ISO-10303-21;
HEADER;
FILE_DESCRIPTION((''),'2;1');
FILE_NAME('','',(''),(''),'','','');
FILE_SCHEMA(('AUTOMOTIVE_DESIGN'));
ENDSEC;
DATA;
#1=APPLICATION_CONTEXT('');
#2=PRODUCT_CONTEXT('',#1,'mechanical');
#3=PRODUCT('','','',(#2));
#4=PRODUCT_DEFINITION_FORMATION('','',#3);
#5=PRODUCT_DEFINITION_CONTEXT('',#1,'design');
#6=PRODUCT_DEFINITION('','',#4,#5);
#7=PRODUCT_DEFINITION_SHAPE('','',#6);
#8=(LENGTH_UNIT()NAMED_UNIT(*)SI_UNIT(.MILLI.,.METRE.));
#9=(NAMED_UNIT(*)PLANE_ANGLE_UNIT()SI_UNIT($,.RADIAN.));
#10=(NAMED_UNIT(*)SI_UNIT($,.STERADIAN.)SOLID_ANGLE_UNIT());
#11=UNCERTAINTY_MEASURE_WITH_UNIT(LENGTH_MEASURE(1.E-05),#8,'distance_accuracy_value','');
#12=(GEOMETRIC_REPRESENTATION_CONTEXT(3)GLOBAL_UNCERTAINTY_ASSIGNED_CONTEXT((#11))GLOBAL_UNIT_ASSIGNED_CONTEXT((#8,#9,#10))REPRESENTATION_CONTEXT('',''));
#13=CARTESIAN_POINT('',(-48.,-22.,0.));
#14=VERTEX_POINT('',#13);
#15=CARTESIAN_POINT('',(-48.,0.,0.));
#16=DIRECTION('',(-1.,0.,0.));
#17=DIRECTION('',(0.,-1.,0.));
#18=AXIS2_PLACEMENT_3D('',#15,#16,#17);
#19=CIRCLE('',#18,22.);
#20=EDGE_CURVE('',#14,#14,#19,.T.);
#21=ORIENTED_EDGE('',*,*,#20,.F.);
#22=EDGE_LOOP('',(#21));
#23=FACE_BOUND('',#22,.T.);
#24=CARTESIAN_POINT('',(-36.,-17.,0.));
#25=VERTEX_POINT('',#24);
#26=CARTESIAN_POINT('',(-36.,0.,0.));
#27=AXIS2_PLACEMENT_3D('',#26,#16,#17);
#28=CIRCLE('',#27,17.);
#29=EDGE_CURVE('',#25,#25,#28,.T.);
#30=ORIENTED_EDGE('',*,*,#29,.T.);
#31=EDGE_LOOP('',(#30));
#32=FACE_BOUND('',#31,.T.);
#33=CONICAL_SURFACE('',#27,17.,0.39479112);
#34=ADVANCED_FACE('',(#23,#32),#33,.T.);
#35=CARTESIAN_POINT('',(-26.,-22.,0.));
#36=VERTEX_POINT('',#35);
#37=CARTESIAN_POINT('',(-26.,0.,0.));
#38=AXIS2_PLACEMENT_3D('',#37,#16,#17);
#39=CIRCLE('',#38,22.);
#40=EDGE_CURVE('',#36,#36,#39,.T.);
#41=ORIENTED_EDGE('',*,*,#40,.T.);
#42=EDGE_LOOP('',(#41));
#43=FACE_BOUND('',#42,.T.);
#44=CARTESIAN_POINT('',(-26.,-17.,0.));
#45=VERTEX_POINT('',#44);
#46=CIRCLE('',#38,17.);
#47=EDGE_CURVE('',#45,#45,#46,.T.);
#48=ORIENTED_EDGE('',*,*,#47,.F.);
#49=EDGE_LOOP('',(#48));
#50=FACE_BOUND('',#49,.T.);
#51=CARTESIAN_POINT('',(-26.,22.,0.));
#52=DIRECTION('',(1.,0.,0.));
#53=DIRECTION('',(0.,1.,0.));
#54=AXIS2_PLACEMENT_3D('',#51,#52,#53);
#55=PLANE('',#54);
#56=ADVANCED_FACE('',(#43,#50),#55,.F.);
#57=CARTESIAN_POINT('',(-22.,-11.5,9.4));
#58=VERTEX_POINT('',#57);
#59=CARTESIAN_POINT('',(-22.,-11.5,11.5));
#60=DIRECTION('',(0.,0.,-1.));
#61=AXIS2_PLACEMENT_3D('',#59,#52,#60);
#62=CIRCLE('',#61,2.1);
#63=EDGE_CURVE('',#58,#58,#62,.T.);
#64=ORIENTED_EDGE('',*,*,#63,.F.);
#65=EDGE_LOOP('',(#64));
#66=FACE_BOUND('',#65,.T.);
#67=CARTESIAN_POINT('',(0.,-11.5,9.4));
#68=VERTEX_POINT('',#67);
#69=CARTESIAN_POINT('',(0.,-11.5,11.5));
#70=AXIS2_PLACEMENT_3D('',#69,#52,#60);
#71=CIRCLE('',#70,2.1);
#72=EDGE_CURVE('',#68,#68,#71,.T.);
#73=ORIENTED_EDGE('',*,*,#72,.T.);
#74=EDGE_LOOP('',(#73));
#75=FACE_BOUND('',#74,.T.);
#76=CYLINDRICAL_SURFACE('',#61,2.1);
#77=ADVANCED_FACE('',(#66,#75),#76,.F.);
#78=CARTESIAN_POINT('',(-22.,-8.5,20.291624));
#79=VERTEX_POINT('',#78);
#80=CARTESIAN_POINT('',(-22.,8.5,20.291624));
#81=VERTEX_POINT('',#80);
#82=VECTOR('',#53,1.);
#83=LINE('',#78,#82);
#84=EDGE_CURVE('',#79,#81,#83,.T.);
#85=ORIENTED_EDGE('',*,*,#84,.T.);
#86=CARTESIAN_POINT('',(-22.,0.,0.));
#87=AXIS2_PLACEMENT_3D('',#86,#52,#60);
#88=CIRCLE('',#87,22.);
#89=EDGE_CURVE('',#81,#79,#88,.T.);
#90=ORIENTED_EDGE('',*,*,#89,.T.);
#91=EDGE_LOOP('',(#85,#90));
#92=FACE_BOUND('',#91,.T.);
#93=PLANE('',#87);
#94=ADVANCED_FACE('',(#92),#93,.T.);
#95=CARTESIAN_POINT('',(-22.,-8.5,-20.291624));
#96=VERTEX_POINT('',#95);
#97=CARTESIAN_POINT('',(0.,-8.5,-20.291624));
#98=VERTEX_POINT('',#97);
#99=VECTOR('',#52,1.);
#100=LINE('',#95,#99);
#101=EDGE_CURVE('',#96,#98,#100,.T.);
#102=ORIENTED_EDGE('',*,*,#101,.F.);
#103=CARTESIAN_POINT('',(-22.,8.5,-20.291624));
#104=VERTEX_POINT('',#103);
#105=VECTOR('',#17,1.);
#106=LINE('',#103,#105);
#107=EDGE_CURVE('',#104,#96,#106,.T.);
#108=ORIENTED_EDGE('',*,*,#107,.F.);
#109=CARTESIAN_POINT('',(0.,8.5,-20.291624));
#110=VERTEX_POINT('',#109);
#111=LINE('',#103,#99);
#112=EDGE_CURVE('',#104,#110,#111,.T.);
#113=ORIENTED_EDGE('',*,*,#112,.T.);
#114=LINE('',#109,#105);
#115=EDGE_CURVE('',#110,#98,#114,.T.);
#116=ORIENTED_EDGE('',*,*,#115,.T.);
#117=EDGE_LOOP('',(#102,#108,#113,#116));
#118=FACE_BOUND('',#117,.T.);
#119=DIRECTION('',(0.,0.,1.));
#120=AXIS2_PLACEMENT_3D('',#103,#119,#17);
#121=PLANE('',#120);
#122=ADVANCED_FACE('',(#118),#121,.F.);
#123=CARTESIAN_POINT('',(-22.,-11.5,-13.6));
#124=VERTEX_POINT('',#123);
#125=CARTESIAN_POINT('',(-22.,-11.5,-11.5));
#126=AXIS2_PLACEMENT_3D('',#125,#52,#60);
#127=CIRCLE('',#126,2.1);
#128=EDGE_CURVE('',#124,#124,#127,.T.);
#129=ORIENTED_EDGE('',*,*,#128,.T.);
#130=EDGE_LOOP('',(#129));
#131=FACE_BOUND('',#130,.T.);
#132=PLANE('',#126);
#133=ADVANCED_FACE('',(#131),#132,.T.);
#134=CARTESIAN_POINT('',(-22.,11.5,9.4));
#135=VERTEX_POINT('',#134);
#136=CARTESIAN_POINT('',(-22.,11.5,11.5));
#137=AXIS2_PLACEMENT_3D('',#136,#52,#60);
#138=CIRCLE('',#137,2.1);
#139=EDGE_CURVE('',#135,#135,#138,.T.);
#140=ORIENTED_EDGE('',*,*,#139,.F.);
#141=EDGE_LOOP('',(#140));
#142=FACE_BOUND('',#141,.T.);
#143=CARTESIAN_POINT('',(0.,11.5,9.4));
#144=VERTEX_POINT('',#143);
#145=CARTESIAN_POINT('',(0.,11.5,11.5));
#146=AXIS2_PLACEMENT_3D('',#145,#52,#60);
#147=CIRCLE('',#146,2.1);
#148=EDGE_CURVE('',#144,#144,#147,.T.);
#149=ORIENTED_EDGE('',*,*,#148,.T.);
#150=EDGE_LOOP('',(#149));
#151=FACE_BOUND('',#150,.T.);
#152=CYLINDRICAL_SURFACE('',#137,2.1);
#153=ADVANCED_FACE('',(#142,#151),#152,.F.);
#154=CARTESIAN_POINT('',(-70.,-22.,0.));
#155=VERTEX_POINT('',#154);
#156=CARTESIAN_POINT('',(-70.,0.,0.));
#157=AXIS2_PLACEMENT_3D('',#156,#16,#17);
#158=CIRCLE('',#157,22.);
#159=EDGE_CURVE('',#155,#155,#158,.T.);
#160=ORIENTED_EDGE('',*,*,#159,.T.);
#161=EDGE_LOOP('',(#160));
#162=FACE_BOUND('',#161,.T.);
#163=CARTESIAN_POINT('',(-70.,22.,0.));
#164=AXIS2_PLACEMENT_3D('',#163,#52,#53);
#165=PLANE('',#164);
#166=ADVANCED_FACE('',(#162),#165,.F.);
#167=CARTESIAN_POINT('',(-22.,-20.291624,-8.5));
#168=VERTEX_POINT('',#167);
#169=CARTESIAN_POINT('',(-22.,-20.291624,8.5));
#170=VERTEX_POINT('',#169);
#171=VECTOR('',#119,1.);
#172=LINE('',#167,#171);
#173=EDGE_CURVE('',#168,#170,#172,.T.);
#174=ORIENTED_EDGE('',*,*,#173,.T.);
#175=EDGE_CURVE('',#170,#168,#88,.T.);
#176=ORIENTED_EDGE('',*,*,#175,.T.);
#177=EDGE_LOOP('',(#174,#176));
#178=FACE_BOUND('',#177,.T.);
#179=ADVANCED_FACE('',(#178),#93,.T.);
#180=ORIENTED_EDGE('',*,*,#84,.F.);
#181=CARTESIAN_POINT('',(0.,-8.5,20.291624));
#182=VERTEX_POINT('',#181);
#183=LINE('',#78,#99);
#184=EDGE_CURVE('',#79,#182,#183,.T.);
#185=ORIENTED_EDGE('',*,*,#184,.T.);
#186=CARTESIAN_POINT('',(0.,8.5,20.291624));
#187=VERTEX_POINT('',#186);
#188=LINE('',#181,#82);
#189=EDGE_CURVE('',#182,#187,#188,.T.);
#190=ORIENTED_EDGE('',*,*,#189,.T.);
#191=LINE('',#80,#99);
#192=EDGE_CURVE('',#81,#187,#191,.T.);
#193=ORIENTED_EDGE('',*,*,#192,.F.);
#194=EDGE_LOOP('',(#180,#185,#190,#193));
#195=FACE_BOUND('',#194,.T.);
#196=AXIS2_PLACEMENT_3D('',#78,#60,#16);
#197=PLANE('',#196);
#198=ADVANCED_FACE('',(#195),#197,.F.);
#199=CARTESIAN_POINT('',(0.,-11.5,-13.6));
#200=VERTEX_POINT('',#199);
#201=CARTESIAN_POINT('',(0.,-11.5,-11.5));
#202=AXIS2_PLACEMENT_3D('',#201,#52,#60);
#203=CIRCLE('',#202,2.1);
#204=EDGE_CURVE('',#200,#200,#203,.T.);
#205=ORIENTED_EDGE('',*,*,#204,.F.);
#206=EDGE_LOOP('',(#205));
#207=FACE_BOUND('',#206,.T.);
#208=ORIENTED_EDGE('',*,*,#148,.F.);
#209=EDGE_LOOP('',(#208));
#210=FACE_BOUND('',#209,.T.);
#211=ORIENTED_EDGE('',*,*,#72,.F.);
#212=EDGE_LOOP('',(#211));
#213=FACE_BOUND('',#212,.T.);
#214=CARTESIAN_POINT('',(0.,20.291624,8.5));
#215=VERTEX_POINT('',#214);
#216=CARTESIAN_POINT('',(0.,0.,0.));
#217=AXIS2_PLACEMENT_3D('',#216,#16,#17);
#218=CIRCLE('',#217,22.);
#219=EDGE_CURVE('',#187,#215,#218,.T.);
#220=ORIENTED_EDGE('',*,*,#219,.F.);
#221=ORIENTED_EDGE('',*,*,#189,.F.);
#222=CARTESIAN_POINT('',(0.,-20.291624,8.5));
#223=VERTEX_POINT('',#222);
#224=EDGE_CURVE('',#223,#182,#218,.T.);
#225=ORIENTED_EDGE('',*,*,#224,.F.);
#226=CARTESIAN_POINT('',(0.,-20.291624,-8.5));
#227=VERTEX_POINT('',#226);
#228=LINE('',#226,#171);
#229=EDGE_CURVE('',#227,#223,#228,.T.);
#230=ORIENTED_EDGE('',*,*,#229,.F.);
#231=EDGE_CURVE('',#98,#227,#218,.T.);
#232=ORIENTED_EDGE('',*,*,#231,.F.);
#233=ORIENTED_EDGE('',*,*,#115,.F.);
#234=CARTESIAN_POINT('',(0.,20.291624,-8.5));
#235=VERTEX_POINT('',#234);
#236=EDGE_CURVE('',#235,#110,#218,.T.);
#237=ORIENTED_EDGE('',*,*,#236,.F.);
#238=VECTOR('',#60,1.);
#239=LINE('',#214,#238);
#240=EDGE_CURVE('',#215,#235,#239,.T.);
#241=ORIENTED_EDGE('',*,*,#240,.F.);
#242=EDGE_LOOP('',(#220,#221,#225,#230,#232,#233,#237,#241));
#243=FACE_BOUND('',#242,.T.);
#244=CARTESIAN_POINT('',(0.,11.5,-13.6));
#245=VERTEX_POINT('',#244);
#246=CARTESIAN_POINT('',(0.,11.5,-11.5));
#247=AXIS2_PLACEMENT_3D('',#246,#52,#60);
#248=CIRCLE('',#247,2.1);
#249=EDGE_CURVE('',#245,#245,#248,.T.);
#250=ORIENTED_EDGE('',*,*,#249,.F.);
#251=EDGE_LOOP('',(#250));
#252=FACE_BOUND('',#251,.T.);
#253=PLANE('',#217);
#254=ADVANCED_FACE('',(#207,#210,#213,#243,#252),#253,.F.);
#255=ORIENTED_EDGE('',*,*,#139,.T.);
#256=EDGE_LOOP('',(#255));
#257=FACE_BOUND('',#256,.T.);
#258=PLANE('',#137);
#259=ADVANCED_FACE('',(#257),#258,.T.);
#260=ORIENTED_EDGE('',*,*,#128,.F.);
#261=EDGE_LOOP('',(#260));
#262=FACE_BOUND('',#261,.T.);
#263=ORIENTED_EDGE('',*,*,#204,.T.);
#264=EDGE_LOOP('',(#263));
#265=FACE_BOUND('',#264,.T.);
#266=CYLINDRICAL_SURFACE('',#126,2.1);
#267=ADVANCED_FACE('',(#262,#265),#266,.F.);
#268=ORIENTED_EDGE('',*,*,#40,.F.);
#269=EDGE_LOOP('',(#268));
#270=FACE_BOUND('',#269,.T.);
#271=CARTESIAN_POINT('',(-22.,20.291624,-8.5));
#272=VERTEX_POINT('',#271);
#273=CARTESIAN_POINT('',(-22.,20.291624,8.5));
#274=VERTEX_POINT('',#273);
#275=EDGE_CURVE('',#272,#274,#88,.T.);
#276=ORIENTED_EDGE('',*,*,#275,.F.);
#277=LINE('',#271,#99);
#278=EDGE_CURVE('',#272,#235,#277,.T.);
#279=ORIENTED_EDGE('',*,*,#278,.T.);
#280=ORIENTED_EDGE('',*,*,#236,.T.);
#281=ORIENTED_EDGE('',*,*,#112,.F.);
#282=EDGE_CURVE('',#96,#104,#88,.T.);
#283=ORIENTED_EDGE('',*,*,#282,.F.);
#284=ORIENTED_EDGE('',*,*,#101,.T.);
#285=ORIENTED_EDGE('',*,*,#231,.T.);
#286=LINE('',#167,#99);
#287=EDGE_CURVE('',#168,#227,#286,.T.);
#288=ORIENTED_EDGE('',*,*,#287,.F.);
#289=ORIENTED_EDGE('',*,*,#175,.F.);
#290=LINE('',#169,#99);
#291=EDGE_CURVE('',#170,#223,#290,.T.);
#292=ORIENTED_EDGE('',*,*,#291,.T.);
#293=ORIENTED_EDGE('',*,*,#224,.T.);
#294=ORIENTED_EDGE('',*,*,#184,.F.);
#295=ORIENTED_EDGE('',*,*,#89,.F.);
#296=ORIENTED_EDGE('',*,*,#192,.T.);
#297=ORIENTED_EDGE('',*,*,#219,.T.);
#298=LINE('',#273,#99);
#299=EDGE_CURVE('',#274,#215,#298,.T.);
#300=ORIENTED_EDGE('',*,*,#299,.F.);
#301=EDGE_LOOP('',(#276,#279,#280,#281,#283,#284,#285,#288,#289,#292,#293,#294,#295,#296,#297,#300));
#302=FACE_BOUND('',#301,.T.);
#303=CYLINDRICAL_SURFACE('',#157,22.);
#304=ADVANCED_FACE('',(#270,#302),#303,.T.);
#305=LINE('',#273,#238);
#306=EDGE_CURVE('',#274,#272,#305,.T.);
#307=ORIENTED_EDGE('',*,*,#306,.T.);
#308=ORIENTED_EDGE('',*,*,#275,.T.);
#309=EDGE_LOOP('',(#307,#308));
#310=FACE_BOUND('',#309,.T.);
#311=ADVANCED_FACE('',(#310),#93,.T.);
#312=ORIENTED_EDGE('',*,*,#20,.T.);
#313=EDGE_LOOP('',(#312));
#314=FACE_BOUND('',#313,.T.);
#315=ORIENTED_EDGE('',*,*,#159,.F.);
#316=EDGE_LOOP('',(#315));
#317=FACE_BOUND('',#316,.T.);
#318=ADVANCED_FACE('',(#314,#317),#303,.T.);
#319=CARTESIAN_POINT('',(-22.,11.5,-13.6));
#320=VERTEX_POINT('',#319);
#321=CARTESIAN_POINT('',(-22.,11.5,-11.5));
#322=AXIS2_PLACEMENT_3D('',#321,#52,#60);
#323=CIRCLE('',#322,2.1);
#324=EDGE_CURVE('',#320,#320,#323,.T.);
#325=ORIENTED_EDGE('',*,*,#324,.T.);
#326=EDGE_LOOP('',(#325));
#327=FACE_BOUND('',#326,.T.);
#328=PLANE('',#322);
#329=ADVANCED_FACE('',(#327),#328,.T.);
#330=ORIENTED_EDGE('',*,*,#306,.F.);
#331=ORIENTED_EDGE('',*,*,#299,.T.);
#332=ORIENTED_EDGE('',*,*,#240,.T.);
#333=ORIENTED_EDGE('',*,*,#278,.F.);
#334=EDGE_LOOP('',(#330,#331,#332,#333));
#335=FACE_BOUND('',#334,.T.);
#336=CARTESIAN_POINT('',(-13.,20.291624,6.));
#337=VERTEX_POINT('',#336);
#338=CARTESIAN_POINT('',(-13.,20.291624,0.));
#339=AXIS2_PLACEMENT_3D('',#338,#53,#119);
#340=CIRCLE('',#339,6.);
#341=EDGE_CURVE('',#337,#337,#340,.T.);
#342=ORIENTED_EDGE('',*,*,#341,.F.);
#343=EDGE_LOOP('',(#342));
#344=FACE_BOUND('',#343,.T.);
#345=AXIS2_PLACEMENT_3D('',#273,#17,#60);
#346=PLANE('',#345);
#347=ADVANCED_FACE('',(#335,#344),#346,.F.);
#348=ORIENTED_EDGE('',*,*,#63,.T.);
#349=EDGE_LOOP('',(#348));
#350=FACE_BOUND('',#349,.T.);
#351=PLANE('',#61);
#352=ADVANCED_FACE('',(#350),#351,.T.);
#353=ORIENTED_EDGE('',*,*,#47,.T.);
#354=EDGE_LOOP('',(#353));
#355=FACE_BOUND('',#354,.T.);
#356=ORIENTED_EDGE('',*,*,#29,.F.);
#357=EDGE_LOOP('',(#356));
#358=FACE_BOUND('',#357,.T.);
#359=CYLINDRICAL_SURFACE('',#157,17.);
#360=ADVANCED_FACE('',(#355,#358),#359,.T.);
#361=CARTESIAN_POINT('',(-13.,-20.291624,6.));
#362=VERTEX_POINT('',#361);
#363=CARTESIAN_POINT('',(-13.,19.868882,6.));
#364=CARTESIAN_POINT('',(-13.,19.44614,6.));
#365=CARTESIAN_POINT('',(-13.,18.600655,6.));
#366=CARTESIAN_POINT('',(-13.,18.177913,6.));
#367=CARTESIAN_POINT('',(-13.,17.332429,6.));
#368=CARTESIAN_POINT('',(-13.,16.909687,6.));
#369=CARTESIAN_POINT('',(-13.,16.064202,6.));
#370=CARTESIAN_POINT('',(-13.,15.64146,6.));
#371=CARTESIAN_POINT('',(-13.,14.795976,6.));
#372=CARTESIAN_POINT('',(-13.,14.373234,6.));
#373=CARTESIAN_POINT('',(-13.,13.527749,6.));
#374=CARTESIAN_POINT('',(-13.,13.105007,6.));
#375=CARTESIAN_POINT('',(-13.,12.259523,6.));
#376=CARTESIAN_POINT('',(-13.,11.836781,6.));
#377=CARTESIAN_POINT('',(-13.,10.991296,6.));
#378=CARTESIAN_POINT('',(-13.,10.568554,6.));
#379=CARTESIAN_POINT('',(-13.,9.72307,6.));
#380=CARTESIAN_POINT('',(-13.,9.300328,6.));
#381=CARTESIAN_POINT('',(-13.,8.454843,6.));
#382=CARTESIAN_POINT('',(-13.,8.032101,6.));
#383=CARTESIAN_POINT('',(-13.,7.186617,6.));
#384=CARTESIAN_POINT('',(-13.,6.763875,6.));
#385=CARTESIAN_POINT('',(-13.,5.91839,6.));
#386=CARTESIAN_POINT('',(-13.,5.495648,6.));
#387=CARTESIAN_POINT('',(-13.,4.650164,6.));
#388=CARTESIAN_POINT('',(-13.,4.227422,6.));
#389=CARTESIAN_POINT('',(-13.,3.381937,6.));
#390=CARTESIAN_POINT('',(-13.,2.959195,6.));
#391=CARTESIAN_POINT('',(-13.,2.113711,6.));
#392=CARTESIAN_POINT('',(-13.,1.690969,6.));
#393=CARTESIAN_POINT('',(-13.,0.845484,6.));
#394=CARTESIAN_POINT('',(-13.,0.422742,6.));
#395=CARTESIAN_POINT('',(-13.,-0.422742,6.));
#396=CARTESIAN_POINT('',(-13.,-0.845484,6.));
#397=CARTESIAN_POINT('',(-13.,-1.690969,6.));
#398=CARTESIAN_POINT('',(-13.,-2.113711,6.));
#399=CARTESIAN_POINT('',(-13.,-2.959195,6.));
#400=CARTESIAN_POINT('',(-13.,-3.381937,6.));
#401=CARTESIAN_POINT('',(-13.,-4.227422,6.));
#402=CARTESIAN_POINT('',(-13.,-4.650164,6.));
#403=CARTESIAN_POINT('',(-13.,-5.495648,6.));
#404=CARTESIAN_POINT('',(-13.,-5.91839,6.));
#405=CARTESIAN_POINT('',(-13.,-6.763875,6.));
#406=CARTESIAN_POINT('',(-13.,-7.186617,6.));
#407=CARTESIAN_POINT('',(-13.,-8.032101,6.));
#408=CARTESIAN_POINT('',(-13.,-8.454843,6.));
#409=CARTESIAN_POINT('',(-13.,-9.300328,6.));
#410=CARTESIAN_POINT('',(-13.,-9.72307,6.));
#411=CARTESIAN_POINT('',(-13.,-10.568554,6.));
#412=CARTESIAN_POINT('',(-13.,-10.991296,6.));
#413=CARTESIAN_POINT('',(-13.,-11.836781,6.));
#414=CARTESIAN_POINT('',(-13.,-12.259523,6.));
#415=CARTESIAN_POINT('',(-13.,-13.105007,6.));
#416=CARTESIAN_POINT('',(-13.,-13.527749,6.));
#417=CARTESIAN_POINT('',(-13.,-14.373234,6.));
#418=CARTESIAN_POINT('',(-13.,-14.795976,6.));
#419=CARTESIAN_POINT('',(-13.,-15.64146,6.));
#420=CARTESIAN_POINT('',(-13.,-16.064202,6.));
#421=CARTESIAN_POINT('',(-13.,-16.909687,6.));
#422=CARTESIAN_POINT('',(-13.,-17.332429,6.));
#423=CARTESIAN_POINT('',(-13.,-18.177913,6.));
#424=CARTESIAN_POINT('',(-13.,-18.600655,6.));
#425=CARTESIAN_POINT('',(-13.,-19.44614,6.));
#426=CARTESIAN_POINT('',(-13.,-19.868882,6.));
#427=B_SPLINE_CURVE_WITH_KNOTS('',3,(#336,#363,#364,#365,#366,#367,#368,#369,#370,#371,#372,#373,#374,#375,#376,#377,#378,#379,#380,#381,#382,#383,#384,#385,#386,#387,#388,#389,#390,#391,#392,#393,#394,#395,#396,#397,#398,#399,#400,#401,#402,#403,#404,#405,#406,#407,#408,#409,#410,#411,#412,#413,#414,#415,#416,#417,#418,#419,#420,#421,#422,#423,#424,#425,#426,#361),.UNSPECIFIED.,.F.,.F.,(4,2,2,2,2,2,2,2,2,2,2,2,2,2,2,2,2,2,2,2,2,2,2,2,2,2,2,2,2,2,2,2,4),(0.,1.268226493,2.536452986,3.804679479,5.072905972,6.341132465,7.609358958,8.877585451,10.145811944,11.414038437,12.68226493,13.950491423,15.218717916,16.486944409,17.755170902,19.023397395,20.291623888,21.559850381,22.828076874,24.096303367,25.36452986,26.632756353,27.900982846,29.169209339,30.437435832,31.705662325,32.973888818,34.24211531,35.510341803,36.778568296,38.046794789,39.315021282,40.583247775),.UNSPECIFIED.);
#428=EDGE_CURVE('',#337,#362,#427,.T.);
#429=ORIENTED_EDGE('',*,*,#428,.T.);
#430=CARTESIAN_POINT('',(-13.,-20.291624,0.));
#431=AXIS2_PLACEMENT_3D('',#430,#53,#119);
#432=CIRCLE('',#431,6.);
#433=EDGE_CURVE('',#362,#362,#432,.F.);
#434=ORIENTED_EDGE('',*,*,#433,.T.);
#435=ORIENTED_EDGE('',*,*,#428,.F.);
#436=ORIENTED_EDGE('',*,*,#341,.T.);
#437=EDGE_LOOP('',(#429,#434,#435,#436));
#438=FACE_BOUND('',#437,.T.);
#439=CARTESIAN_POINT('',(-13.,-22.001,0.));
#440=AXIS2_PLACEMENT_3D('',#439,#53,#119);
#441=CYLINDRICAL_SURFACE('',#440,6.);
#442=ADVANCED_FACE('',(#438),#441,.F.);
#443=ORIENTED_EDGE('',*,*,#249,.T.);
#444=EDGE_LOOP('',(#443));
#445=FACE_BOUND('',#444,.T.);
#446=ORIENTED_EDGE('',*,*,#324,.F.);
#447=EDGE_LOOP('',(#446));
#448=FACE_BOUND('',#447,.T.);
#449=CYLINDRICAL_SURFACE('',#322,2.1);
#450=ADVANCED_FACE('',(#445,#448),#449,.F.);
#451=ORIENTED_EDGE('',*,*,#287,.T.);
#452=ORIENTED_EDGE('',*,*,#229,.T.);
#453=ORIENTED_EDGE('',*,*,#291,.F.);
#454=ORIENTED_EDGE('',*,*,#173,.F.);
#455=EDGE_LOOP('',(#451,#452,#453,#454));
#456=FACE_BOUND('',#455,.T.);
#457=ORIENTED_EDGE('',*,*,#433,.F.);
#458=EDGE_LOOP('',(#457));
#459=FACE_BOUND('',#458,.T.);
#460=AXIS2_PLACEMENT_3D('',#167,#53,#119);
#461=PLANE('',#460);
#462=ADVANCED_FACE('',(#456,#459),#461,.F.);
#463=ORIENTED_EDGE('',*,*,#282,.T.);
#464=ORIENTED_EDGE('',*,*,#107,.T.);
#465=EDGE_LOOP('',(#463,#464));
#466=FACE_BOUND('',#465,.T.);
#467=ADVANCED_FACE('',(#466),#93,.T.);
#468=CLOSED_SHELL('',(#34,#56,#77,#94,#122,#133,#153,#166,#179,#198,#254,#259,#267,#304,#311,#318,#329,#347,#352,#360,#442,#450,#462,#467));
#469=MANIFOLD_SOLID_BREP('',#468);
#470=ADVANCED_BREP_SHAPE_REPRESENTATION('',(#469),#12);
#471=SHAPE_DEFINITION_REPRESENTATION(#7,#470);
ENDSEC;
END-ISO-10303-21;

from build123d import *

# Parameters (mm, degrees)
CUT_EXTRUDE1_START = -22
SKETCH2_R          = 2.1
CUT_EXTRUDE1_DEPTH = 22
CUT_EXTRUDE2_REACH = 86.691
SKETCH3_R          = 6


with BuildPart() as part:
    # Sketch1 → Revolve1 (revolve)
    with BuildSketch(Plane(origin=(0, 0, 0), x_dir=(0, 1, 0), z_dir=(0, 0, 1)), mode=Mode.PRIVATE) as revolve1_sk:
        Polygon((0, 0), (22, 0), (22, 26), (17, 26), (17, 36), (22, 48), (22, 70), (0, 70), align=None)
    revolve(revolve1_sk.sketch.rotate(Axis((-70, 0, 0), (1, 0, 0)), 180), axis=Axis((-70, 0, 0), (1, 0, 0)))

    # Sketch2 → Cut-Extrude1 (cut)
    with BuildSketch(Plane.YZ.offset(CUT_EXTRUDE1_START)):
        with Locations(Location((-11.5, 11.5, 0), (0, 0, 270))):
            Circle(SKETCH2_R)
        with Locations(Location((11.5, 11.5, 0), (0, 0, 270))):
            Circle(SKETCH2_R)
        with Locations(Location((11.5, -11.5, 0), (0, 0, 270))):
            Circle(SKETCH2_R)
        with Locations(Location((-11.5, -11.5, 0), (0, 0, 270))):
            Circle(SKETCH2_R)
        with BuildLine():
            Line((-8.5, 20.291623888), (8.5, 20.291623888))
            ThreePointArc((8.5, 20.291623888), (0, 22), (-8.5, 20.291623888))
        make_face()
        with BuildLine():
            Line((20.291623888, 8.5), (20.291623888, -8.5))
            ThreePointArc((20.291623888, -8.5), (22, 0), (20.291623888, 8.5))
        make_face()
        with BuildLine():
            Line((8.5, -20.291623888), (-8.5, -20.291623888))
            ThreePointArc((-8.5, -20.291623888), (0, -22), (8.5, -20.291623888))
        make_face()
        with BuildLine():
            Line((-20.291623888, -8.5), (-20.291623888, 8.5))
            ThreePointArc((-20.291623888, 8.5), (-22, 0), (-20.291623888, -8.5))
        make_face()
    extrude(amount=CUT_EXTRUDE1_DEPTH, mode=Mode.SUBTRACT)

    # Sketch3 → Cut-Extrude2 (cut, up to next)
    with BuildSketch(Plane(origin=(0, 20.291623888, 0), x_dir=(-1, 0, 0), z_dir=(0, 1, 0)), mode=Mode.PRIVATE) as cut_extrude2_sk1:
        with Locations(Location((13, 0, 0), (0, 0, 90))):
            Circle(SKETCH3_R)
    cut_extrude2_tool1 = extrude(cut_extrude2_sk1.sketch, amount=-CUT_EXTRUDE2_REACH, mode=Mode.PRIVATE) & part.part
    add(cut_extrude2_tool1.solids().sort_by_distance((-13, 20.291624, 0))[0], mode=Mode.SUBTRACT)


solid = part.part
